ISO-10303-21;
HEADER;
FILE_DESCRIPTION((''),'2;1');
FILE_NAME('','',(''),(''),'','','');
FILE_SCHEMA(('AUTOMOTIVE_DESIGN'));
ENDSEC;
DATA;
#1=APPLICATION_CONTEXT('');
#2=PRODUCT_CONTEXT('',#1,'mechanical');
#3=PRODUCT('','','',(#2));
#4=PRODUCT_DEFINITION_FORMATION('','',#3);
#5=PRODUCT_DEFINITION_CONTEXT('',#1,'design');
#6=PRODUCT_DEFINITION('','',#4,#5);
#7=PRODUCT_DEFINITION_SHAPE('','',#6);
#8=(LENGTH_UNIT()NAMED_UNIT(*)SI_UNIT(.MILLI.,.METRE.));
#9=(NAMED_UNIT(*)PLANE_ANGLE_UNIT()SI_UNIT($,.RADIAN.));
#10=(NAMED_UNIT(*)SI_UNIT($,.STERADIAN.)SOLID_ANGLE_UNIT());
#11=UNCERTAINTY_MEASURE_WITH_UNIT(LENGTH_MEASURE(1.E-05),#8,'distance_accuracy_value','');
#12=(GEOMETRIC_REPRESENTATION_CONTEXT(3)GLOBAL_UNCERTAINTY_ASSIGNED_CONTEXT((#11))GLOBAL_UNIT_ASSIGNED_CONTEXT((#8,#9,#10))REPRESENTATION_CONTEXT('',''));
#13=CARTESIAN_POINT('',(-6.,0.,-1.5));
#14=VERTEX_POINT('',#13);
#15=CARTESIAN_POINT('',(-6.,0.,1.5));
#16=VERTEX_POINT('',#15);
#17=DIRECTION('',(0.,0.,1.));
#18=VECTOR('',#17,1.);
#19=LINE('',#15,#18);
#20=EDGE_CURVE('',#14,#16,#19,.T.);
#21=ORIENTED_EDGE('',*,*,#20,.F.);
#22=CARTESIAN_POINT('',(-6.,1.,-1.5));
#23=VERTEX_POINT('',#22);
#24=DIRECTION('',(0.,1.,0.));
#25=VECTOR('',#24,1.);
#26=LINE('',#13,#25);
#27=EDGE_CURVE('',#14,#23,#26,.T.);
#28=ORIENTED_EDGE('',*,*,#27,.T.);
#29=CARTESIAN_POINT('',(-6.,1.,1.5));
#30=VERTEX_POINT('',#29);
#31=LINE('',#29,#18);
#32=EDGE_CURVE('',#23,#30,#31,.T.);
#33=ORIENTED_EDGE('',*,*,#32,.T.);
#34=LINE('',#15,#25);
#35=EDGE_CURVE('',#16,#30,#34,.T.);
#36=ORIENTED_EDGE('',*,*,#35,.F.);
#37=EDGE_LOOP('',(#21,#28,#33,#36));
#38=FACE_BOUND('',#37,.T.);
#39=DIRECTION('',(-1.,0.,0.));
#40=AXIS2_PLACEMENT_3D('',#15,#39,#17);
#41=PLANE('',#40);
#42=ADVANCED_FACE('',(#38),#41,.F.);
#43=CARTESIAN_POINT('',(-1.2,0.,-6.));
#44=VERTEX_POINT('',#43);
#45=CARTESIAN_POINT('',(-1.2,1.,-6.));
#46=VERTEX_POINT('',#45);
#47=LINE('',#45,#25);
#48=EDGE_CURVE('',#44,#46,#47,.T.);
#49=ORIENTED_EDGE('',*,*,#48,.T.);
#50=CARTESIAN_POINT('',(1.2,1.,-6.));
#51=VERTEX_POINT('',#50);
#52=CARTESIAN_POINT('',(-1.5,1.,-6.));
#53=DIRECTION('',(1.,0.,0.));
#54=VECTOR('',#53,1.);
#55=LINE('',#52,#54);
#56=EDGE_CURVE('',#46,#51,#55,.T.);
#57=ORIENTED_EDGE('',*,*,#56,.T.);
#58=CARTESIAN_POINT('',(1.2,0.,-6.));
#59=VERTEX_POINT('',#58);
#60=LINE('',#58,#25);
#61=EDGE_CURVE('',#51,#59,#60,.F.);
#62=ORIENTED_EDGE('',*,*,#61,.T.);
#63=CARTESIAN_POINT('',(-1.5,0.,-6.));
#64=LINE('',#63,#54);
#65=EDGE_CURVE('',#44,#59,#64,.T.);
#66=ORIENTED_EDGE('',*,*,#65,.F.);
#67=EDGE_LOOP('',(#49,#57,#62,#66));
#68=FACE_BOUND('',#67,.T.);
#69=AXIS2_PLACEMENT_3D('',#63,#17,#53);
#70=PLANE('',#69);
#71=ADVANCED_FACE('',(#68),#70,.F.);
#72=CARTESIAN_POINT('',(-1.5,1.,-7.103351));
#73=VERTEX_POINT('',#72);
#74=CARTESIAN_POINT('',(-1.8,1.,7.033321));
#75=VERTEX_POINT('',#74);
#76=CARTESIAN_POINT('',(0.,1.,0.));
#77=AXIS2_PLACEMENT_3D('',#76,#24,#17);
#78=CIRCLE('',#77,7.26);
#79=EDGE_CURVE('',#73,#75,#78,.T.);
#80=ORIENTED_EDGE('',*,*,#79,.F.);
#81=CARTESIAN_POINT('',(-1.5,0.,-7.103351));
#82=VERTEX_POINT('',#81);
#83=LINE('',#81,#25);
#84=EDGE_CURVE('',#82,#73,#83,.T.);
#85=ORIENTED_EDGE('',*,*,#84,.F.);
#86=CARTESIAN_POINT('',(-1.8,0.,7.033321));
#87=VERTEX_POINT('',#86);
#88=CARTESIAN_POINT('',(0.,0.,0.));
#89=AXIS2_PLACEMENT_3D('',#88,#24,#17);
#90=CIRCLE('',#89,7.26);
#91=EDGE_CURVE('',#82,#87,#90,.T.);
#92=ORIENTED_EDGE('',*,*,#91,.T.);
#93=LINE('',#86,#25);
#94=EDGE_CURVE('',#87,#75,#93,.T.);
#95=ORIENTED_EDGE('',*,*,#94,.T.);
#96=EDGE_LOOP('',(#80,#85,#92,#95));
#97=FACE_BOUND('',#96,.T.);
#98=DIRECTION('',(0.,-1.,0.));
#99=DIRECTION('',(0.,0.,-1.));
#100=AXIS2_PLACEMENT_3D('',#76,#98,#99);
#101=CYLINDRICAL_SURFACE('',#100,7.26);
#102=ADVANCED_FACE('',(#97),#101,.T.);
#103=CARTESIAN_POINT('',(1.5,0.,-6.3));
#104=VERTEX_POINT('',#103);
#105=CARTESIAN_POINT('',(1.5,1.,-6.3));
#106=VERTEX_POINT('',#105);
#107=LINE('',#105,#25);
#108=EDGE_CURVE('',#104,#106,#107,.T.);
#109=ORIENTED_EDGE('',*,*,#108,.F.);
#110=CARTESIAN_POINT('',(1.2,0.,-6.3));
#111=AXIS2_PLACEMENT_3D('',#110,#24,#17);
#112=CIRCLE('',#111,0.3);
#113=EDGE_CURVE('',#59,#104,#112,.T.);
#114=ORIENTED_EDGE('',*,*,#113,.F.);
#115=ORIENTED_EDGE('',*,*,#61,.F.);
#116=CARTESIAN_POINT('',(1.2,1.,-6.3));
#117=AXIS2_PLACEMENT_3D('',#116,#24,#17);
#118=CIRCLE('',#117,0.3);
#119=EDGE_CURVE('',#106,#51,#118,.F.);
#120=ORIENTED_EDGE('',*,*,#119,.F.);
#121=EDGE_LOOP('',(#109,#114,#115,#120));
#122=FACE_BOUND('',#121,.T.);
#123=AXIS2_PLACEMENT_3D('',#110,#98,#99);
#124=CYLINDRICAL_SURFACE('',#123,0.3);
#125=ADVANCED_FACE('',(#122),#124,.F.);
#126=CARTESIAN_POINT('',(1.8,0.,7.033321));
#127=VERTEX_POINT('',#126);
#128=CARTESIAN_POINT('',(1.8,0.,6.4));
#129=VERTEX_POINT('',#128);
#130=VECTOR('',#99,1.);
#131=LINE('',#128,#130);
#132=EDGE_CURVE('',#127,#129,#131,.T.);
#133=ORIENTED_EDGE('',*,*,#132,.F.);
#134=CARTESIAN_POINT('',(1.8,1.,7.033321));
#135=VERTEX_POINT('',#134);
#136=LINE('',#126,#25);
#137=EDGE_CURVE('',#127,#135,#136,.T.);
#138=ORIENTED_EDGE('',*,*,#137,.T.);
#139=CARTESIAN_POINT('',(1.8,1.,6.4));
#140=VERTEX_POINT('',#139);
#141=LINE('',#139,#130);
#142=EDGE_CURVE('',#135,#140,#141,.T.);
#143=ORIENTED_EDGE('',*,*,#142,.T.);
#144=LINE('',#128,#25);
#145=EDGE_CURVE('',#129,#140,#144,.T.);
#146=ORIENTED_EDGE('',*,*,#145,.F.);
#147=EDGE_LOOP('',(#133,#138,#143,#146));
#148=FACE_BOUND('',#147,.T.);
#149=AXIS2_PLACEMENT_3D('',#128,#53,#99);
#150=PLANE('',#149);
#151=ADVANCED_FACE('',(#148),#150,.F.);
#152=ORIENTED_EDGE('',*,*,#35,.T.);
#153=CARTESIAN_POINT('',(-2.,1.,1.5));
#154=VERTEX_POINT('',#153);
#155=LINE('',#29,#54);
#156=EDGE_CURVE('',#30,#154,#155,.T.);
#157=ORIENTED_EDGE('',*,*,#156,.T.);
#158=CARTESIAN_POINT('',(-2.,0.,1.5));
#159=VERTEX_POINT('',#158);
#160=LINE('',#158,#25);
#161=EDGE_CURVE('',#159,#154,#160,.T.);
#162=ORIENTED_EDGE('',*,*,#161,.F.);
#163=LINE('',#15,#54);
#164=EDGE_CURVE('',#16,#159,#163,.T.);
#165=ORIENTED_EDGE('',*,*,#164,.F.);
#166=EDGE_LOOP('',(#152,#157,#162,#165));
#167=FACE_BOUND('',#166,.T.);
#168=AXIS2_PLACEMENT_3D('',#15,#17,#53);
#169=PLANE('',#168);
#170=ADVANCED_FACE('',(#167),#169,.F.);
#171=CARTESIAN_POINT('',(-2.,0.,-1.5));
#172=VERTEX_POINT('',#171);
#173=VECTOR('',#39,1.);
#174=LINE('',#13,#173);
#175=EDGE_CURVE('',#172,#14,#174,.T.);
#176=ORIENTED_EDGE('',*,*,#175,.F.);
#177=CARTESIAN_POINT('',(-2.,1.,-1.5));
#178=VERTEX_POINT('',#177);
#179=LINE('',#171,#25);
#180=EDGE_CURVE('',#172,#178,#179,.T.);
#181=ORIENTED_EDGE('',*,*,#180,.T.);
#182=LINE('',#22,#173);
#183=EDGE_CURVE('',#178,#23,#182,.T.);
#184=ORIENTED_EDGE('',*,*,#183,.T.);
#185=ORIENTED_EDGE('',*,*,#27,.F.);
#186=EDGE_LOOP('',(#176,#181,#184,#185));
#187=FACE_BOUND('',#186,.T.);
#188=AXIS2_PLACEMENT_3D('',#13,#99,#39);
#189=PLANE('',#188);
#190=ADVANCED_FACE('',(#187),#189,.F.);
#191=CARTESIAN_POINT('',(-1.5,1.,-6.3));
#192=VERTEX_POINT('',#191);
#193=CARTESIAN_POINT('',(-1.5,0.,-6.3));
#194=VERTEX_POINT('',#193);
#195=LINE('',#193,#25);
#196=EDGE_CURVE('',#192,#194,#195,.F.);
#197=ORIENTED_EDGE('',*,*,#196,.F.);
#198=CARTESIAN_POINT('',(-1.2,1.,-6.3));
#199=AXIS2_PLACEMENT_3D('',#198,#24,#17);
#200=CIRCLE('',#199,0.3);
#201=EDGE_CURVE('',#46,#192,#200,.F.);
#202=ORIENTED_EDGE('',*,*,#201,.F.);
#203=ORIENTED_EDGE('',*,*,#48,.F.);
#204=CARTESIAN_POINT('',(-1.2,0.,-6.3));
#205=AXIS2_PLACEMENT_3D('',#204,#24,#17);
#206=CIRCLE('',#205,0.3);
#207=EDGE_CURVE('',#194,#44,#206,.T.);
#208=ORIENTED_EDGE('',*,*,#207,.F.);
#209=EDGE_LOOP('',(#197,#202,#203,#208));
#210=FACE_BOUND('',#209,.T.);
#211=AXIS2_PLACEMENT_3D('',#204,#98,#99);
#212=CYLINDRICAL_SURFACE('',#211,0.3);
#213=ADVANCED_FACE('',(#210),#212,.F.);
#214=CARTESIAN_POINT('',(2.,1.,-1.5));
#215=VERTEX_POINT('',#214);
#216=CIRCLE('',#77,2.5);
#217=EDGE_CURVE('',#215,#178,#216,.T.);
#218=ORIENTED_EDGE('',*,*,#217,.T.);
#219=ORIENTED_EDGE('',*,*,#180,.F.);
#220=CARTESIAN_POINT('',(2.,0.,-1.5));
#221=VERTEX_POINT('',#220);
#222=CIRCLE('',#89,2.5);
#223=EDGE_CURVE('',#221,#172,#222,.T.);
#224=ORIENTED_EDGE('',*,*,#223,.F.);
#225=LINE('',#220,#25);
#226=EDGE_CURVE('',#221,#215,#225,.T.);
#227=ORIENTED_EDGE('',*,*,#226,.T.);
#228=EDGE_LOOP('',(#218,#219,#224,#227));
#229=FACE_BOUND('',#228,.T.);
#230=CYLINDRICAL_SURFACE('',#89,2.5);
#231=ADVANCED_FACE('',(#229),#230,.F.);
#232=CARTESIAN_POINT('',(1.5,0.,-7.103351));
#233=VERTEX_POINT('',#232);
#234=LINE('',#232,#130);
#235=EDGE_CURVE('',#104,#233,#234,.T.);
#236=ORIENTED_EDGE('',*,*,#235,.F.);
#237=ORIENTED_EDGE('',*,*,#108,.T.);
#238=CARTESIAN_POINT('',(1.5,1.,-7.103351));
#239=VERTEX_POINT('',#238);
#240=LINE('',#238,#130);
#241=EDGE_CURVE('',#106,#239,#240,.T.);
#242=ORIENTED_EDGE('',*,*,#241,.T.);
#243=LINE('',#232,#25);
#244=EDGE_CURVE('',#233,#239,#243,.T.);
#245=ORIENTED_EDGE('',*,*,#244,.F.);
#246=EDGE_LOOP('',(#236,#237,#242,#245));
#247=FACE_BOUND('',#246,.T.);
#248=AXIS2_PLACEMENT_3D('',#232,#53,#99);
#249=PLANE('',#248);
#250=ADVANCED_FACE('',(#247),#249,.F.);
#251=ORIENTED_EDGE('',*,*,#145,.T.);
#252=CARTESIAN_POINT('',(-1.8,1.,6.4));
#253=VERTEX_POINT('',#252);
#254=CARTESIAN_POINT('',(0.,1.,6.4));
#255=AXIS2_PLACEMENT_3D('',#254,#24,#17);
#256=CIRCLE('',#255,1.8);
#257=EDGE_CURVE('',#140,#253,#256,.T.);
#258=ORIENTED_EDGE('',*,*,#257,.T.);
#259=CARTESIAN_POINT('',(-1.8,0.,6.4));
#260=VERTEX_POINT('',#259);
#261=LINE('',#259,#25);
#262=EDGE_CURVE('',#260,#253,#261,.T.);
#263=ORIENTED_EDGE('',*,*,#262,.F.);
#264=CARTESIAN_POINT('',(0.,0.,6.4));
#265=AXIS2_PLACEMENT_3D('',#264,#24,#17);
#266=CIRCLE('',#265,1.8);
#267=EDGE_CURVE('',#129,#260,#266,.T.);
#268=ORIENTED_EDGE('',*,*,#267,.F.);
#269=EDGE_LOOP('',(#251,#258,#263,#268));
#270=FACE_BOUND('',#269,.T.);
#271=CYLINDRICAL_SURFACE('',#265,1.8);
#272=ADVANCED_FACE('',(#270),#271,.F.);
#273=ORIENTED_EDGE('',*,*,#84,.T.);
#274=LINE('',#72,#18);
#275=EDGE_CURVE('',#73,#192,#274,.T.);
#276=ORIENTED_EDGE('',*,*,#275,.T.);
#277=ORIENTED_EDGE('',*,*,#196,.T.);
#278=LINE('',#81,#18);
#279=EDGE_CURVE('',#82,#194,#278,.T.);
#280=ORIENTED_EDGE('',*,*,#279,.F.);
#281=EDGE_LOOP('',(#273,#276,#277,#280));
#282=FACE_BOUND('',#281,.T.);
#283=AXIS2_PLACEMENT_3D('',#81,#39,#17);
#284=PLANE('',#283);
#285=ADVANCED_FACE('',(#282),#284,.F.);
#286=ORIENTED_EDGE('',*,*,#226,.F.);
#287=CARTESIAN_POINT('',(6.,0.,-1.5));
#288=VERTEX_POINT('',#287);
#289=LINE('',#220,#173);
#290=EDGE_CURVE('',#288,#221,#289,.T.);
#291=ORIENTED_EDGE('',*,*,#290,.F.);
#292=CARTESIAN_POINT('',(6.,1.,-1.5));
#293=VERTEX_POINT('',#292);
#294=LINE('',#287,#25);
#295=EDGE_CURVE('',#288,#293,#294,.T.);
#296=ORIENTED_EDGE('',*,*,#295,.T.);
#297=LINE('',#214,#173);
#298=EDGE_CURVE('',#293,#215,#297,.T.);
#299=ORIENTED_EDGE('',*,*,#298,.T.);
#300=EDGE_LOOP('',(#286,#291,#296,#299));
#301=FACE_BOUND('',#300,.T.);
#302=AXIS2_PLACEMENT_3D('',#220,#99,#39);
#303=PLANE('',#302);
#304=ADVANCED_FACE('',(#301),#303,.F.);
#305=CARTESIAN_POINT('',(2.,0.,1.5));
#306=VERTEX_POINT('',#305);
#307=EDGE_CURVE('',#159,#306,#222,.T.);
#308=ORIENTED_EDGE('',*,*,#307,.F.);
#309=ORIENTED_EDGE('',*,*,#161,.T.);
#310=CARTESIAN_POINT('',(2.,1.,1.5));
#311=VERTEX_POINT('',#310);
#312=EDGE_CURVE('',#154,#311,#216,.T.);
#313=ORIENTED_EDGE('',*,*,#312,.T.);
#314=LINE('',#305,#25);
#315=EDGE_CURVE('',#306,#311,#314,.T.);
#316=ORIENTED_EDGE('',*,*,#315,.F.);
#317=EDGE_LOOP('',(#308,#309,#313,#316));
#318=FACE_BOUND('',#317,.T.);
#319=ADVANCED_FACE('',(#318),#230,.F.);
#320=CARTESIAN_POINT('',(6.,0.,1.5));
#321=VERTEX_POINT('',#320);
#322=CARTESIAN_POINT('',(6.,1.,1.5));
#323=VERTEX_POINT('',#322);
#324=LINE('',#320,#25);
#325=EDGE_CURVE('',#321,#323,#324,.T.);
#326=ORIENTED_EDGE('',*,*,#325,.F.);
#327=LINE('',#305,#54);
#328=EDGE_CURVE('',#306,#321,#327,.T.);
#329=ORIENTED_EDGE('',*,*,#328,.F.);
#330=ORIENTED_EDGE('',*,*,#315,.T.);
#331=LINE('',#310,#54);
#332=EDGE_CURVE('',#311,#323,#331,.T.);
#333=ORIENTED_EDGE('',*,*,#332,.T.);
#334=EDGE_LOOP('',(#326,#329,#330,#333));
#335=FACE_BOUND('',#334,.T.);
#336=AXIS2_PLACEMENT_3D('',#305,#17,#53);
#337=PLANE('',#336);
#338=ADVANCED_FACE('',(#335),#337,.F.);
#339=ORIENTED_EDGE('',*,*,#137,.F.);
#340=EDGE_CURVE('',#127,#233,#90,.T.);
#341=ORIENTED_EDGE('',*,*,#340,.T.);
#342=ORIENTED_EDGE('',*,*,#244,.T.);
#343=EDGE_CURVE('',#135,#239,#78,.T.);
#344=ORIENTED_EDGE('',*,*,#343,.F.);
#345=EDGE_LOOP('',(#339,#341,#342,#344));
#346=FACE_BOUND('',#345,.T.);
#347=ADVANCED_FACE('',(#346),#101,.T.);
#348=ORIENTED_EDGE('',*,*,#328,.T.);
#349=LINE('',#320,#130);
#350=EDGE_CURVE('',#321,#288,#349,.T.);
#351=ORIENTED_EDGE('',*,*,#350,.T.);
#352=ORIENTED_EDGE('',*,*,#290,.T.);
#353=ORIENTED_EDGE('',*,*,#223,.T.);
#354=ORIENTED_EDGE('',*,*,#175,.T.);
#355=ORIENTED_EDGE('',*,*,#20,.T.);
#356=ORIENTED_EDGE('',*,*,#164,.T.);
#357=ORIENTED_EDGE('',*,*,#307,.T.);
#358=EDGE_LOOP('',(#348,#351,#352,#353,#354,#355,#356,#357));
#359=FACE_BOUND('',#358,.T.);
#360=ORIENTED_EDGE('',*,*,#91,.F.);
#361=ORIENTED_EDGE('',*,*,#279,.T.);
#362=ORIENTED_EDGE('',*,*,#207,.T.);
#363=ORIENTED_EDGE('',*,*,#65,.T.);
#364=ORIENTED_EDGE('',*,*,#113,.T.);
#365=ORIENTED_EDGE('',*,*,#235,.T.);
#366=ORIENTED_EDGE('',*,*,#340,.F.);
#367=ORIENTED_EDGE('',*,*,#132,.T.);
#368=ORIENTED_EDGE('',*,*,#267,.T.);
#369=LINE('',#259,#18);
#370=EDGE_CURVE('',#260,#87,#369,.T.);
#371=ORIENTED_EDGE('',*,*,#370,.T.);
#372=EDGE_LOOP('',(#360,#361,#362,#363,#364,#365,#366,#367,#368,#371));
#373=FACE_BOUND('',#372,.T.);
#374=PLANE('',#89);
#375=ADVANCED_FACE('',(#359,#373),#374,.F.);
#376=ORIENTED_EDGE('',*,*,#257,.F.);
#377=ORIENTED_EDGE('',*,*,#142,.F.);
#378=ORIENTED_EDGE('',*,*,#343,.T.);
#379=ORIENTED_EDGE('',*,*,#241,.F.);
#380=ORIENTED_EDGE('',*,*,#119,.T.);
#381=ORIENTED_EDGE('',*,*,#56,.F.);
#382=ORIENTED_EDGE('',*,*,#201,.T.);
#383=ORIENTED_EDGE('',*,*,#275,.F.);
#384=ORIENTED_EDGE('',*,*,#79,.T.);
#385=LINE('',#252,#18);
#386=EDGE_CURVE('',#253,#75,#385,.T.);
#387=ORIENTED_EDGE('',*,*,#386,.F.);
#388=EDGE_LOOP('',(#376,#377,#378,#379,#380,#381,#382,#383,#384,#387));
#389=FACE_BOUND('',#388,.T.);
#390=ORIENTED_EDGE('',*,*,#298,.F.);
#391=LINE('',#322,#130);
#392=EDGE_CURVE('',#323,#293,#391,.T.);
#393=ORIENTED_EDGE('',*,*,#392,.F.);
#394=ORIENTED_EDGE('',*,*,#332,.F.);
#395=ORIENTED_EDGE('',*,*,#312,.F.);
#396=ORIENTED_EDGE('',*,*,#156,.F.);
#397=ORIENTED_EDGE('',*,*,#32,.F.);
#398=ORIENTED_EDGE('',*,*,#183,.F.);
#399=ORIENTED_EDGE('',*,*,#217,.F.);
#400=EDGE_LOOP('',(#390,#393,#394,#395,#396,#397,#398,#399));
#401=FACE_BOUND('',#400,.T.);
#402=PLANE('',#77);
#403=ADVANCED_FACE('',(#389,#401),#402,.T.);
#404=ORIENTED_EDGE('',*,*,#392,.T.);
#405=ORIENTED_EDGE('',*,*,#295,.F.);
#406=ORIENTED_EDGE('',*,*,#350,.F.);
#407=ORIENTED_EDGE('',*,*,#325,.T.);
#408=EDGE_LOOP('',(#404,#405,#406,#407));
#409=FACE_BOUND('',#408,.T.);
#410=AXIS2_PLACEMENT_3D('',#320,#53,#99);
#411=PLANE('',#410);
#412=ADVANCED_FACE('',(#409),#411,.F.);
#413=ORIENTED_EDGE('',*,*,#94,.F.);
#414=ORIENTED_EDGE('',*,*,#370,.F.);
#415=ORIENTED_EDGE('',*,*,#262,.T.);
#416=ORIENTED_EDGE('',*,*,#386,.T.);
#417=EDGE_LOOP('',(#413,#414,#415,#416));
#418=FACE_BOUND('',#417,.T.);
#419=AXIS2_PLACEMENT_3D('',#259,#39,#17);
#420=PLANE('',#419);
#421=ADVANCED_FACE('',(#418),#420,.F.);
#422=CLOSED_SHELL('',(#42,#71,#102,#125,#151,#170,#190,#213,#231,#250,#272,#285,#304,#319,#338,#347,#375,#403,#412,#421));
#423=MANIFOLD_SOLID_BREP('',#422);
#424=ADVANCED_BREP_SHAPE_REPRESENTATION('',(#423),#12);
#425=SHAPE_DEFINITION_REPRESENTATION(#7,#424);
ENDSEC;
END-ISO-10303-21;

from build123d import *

# Parameters (mm, degrees)
SKETCH1_R           = 7.26
BOSS_EXTRUDE1_DEPTH = 1
CUT_EXTRUDE1_DEPTH  = 2
CUT_EXTRUDE2_DEPTH  = 2
CUT_EXTRUDE3_DEPTH  = 2
FILLET1_R           = 0.3


with BuildPart() as part:
    # Sketch1 → Boss-Extrude1 (new body)
    with BuildSketch(Plane(origin=(0, 0, 0), x_dir=(1, 0, 0), z_dir=(0, 1, 0))):
        Circle(SKETCH1_R)
    extrude(amount=BOSS_EXTRUDE1_DEPTH)

    # Sketch2 → Cut-Extrude1 (cut, through all)
    with BuildSketch(Plane(origin=(0, 1, 0), x_dir=(1, 0, 0), z_dir=(0, 1, 0))):
        with BuildLine():
            Line((-1.5, 7.103351322), (-1.5, 6))
            Line((-1.5, 6), (1.5, 6))
            Line((1.5, 6), (1.5, 7.103351322))
            ThreePointArc((1.5, 7.103351322), (0, 7.26), (-1.5, 7.103351322))
        make_face()
    extrude(amount=-CUT_EXTRUDE1_DEPTH, mode=Mode.SUBTRACT)

    # Sketch3 → Cut-Extrude2 (cut, through all)
    with BuildSketch(Plane(origin=(0, 1, 0), x_dir=(1, 0, 0), z_dir=(0, 1, 0))):
        with BuildLine():
            Line((2, 1.5), (6, 1.5))
            Line((6, 1.5), (6, -1.5))
            Line((6, -1.5), (2, -1.5))
            ThreePointArc((2, -1.5), (0, -2.5), (-2, -1.5))
            Line((-2, -1.5), (-6, -1.5))
            Line((-6, -1.5), (-6, 1.5))
            Line((-6, 1.5), (-2, 1.5))
            ThreePointArc((-2, 1.5), (0, 2.5), (2, 1.5))
        make_face()
    extrude(amount=-CUT_EXTRUDE2_DEPTH, mode=Mode.SUBTRACT)

    # Sketch4 → Cut-Extrude3 (cut, through all)
    with BuildSketch(Plane(origin=(0, 1, 0), x_dir=(1, 0, 0), z_dir=(0, 1, 0))):
        with BuildLine():
            Line((-1.8, -6.4), (-1.8, -7.033320695))
            ThreePointArc((-1.8, -7.033320695), (0, -7.26), (1.8, -7.033320695))
            Line((1.8, -7.033320695), (1.8, -6.4))
            ThreePointArc((1.8, -6.4), (0, -4.6), (-1.8, -6.4))
        make_face()
    extrude(amount=-CUT_EXTRUDE3_DEPTH, mode=Mode.SUBTRACT)

    # Fillet1
    fillet1_edges = [part.edges().sort_by_distance(p)[0] for p in [
        (1.5, 0.5, -6),
        (-1.5, 0.5, -6),
    ]]
    fillet(fillet1_edges, radius=FILLET1_R)


solid = part.part
